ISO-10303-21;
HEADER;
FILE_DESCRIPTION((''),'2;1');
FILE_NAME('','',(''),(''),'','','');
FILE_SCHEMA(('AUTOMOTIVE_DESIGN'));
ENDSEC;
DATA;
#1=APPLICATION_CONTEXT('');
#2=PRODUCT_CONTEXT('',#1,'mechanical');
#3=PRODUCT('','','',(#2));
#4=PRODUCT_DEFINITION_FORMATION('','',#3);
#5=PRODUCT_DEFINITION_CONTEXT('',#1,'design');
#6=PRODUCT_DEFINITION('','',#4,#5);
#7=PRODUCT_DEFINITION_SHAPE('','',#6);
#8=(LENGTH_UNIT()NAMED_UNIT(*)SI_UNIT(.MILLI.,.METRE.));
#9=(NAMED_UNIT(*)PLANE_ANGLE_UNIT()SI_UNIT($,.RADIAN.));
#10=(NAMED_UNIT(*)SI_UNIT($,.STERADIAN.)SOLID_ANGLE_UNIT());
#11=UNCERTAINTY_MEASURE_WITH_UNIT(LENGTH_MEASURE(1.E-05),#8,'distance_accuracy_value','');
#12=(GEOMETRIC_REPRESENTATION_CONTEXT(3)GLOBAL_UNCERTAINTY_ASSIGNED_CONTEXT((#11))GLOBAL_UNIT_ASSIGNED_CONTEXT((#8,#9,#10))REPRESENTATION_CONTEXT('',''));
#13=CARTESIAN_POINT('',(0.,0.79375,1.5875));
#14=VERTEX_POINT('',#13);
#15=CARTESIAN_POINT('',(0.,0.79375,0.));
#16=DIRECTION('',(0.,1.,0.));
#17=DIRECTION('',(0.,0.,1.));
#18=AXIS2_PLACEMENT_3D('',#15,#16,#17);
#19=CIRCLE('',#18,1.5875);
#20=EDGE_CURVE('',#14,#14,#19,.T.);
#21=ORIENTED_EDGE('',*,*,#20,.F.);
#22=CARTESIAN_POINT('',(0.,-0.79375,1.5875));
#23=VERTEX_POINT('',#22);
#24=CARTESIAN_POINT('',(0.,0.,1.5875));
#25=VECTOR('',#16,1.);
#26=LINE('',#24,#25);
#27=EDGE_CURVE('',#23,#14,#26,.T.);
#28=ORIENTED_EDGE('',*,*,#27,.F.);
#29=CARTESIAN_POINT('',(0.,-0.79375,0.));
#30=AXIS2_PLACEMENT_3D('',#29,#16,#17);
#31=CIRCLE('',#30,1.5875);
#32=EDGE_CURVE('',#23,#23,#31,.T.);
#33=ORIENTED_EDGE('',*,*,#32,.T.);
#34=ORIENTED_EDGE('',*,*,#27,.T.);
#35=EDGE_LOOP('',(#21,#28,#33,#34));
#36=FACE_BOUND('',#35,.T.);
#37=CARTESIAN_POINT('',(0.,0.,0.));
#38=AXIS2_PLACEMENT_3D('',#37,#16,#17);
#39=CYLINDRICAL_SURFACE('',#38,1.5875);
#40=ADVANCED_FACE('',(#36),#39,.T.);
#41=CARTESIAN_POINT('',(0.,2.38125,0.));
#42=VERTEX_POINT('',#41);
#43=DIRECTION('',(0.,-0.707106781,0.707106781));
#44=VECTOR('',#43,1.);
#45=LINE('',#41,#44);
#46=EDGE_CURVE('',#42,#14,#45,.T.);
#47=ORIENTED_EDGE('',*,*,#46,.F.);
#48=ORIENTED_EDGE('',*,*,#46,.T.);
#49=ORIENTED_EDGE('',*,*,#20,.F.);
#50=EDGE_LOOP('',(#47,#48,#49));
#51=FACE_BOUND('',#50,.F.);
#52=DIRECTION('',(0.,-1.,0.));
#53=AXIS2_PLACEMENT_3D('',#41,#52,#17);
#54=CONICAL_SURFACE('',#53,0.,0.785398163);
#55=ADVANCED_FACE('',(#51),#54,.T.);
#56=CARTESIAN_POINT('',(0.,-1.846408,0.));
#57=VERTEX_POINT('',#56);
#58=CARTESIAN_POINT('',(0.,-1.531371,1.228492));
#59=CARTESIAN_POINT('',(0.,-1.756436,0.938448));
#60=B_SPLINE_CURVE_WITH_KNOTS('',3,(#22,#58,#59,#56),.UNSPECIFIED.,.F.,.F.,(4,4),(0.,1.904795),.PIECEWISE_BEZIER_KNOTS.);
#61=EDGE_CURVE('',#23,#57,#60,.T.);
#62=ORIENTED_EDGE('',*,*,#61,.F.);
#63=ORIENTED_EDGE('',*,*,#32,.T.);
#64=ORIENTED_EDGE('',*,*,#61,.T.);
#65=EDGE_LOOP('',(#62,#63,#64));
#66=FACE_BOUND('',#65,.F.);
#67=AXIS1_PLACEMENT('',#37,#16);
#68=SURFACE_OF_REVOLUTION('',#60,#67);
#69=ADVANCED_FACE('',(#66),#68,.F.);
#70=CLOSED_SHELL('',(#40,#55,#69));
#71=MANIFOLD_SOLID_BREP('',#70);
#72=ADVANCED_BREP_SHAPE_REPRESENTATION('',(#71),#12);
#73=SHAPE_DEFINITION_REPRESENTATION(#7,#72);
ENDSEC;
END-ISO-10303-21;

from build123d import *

# Parameters (mm, degrees)
F0_W = 1.5875
F0_H = 1.5875


with BuildPart() as f1:
    # F0 (on Right) → F1 (revolve)
    with BuildSketch(Plane.YZ):
        with BuildLine():
            Line((-0.79375, 0), (-0.79375, 1.5875))
            add(Edge.make_bspline(
                [(-0.79375, 1.5875), (-1.531371, 1.228492), (-1.756436, 0.938448), (-1.846408, 0)],
                knots=[0, 0, 0, 0, 1.904795, 1.904795, 1.904795, 1.904795], degree=3))
            Line((-1.846408, 0), (-0.79375, 0))
        make_face()
        with Locations((0, 0.79375)):
            Rectangle(F0_W, F0_H)
        Polygon((2.38125, 0), (0.79375, 1.5875), (0.79375, 0), align=None)
    revolve(axis=Axis((0, 0, 0), (0, 1, 0)))


solid = f1.part
